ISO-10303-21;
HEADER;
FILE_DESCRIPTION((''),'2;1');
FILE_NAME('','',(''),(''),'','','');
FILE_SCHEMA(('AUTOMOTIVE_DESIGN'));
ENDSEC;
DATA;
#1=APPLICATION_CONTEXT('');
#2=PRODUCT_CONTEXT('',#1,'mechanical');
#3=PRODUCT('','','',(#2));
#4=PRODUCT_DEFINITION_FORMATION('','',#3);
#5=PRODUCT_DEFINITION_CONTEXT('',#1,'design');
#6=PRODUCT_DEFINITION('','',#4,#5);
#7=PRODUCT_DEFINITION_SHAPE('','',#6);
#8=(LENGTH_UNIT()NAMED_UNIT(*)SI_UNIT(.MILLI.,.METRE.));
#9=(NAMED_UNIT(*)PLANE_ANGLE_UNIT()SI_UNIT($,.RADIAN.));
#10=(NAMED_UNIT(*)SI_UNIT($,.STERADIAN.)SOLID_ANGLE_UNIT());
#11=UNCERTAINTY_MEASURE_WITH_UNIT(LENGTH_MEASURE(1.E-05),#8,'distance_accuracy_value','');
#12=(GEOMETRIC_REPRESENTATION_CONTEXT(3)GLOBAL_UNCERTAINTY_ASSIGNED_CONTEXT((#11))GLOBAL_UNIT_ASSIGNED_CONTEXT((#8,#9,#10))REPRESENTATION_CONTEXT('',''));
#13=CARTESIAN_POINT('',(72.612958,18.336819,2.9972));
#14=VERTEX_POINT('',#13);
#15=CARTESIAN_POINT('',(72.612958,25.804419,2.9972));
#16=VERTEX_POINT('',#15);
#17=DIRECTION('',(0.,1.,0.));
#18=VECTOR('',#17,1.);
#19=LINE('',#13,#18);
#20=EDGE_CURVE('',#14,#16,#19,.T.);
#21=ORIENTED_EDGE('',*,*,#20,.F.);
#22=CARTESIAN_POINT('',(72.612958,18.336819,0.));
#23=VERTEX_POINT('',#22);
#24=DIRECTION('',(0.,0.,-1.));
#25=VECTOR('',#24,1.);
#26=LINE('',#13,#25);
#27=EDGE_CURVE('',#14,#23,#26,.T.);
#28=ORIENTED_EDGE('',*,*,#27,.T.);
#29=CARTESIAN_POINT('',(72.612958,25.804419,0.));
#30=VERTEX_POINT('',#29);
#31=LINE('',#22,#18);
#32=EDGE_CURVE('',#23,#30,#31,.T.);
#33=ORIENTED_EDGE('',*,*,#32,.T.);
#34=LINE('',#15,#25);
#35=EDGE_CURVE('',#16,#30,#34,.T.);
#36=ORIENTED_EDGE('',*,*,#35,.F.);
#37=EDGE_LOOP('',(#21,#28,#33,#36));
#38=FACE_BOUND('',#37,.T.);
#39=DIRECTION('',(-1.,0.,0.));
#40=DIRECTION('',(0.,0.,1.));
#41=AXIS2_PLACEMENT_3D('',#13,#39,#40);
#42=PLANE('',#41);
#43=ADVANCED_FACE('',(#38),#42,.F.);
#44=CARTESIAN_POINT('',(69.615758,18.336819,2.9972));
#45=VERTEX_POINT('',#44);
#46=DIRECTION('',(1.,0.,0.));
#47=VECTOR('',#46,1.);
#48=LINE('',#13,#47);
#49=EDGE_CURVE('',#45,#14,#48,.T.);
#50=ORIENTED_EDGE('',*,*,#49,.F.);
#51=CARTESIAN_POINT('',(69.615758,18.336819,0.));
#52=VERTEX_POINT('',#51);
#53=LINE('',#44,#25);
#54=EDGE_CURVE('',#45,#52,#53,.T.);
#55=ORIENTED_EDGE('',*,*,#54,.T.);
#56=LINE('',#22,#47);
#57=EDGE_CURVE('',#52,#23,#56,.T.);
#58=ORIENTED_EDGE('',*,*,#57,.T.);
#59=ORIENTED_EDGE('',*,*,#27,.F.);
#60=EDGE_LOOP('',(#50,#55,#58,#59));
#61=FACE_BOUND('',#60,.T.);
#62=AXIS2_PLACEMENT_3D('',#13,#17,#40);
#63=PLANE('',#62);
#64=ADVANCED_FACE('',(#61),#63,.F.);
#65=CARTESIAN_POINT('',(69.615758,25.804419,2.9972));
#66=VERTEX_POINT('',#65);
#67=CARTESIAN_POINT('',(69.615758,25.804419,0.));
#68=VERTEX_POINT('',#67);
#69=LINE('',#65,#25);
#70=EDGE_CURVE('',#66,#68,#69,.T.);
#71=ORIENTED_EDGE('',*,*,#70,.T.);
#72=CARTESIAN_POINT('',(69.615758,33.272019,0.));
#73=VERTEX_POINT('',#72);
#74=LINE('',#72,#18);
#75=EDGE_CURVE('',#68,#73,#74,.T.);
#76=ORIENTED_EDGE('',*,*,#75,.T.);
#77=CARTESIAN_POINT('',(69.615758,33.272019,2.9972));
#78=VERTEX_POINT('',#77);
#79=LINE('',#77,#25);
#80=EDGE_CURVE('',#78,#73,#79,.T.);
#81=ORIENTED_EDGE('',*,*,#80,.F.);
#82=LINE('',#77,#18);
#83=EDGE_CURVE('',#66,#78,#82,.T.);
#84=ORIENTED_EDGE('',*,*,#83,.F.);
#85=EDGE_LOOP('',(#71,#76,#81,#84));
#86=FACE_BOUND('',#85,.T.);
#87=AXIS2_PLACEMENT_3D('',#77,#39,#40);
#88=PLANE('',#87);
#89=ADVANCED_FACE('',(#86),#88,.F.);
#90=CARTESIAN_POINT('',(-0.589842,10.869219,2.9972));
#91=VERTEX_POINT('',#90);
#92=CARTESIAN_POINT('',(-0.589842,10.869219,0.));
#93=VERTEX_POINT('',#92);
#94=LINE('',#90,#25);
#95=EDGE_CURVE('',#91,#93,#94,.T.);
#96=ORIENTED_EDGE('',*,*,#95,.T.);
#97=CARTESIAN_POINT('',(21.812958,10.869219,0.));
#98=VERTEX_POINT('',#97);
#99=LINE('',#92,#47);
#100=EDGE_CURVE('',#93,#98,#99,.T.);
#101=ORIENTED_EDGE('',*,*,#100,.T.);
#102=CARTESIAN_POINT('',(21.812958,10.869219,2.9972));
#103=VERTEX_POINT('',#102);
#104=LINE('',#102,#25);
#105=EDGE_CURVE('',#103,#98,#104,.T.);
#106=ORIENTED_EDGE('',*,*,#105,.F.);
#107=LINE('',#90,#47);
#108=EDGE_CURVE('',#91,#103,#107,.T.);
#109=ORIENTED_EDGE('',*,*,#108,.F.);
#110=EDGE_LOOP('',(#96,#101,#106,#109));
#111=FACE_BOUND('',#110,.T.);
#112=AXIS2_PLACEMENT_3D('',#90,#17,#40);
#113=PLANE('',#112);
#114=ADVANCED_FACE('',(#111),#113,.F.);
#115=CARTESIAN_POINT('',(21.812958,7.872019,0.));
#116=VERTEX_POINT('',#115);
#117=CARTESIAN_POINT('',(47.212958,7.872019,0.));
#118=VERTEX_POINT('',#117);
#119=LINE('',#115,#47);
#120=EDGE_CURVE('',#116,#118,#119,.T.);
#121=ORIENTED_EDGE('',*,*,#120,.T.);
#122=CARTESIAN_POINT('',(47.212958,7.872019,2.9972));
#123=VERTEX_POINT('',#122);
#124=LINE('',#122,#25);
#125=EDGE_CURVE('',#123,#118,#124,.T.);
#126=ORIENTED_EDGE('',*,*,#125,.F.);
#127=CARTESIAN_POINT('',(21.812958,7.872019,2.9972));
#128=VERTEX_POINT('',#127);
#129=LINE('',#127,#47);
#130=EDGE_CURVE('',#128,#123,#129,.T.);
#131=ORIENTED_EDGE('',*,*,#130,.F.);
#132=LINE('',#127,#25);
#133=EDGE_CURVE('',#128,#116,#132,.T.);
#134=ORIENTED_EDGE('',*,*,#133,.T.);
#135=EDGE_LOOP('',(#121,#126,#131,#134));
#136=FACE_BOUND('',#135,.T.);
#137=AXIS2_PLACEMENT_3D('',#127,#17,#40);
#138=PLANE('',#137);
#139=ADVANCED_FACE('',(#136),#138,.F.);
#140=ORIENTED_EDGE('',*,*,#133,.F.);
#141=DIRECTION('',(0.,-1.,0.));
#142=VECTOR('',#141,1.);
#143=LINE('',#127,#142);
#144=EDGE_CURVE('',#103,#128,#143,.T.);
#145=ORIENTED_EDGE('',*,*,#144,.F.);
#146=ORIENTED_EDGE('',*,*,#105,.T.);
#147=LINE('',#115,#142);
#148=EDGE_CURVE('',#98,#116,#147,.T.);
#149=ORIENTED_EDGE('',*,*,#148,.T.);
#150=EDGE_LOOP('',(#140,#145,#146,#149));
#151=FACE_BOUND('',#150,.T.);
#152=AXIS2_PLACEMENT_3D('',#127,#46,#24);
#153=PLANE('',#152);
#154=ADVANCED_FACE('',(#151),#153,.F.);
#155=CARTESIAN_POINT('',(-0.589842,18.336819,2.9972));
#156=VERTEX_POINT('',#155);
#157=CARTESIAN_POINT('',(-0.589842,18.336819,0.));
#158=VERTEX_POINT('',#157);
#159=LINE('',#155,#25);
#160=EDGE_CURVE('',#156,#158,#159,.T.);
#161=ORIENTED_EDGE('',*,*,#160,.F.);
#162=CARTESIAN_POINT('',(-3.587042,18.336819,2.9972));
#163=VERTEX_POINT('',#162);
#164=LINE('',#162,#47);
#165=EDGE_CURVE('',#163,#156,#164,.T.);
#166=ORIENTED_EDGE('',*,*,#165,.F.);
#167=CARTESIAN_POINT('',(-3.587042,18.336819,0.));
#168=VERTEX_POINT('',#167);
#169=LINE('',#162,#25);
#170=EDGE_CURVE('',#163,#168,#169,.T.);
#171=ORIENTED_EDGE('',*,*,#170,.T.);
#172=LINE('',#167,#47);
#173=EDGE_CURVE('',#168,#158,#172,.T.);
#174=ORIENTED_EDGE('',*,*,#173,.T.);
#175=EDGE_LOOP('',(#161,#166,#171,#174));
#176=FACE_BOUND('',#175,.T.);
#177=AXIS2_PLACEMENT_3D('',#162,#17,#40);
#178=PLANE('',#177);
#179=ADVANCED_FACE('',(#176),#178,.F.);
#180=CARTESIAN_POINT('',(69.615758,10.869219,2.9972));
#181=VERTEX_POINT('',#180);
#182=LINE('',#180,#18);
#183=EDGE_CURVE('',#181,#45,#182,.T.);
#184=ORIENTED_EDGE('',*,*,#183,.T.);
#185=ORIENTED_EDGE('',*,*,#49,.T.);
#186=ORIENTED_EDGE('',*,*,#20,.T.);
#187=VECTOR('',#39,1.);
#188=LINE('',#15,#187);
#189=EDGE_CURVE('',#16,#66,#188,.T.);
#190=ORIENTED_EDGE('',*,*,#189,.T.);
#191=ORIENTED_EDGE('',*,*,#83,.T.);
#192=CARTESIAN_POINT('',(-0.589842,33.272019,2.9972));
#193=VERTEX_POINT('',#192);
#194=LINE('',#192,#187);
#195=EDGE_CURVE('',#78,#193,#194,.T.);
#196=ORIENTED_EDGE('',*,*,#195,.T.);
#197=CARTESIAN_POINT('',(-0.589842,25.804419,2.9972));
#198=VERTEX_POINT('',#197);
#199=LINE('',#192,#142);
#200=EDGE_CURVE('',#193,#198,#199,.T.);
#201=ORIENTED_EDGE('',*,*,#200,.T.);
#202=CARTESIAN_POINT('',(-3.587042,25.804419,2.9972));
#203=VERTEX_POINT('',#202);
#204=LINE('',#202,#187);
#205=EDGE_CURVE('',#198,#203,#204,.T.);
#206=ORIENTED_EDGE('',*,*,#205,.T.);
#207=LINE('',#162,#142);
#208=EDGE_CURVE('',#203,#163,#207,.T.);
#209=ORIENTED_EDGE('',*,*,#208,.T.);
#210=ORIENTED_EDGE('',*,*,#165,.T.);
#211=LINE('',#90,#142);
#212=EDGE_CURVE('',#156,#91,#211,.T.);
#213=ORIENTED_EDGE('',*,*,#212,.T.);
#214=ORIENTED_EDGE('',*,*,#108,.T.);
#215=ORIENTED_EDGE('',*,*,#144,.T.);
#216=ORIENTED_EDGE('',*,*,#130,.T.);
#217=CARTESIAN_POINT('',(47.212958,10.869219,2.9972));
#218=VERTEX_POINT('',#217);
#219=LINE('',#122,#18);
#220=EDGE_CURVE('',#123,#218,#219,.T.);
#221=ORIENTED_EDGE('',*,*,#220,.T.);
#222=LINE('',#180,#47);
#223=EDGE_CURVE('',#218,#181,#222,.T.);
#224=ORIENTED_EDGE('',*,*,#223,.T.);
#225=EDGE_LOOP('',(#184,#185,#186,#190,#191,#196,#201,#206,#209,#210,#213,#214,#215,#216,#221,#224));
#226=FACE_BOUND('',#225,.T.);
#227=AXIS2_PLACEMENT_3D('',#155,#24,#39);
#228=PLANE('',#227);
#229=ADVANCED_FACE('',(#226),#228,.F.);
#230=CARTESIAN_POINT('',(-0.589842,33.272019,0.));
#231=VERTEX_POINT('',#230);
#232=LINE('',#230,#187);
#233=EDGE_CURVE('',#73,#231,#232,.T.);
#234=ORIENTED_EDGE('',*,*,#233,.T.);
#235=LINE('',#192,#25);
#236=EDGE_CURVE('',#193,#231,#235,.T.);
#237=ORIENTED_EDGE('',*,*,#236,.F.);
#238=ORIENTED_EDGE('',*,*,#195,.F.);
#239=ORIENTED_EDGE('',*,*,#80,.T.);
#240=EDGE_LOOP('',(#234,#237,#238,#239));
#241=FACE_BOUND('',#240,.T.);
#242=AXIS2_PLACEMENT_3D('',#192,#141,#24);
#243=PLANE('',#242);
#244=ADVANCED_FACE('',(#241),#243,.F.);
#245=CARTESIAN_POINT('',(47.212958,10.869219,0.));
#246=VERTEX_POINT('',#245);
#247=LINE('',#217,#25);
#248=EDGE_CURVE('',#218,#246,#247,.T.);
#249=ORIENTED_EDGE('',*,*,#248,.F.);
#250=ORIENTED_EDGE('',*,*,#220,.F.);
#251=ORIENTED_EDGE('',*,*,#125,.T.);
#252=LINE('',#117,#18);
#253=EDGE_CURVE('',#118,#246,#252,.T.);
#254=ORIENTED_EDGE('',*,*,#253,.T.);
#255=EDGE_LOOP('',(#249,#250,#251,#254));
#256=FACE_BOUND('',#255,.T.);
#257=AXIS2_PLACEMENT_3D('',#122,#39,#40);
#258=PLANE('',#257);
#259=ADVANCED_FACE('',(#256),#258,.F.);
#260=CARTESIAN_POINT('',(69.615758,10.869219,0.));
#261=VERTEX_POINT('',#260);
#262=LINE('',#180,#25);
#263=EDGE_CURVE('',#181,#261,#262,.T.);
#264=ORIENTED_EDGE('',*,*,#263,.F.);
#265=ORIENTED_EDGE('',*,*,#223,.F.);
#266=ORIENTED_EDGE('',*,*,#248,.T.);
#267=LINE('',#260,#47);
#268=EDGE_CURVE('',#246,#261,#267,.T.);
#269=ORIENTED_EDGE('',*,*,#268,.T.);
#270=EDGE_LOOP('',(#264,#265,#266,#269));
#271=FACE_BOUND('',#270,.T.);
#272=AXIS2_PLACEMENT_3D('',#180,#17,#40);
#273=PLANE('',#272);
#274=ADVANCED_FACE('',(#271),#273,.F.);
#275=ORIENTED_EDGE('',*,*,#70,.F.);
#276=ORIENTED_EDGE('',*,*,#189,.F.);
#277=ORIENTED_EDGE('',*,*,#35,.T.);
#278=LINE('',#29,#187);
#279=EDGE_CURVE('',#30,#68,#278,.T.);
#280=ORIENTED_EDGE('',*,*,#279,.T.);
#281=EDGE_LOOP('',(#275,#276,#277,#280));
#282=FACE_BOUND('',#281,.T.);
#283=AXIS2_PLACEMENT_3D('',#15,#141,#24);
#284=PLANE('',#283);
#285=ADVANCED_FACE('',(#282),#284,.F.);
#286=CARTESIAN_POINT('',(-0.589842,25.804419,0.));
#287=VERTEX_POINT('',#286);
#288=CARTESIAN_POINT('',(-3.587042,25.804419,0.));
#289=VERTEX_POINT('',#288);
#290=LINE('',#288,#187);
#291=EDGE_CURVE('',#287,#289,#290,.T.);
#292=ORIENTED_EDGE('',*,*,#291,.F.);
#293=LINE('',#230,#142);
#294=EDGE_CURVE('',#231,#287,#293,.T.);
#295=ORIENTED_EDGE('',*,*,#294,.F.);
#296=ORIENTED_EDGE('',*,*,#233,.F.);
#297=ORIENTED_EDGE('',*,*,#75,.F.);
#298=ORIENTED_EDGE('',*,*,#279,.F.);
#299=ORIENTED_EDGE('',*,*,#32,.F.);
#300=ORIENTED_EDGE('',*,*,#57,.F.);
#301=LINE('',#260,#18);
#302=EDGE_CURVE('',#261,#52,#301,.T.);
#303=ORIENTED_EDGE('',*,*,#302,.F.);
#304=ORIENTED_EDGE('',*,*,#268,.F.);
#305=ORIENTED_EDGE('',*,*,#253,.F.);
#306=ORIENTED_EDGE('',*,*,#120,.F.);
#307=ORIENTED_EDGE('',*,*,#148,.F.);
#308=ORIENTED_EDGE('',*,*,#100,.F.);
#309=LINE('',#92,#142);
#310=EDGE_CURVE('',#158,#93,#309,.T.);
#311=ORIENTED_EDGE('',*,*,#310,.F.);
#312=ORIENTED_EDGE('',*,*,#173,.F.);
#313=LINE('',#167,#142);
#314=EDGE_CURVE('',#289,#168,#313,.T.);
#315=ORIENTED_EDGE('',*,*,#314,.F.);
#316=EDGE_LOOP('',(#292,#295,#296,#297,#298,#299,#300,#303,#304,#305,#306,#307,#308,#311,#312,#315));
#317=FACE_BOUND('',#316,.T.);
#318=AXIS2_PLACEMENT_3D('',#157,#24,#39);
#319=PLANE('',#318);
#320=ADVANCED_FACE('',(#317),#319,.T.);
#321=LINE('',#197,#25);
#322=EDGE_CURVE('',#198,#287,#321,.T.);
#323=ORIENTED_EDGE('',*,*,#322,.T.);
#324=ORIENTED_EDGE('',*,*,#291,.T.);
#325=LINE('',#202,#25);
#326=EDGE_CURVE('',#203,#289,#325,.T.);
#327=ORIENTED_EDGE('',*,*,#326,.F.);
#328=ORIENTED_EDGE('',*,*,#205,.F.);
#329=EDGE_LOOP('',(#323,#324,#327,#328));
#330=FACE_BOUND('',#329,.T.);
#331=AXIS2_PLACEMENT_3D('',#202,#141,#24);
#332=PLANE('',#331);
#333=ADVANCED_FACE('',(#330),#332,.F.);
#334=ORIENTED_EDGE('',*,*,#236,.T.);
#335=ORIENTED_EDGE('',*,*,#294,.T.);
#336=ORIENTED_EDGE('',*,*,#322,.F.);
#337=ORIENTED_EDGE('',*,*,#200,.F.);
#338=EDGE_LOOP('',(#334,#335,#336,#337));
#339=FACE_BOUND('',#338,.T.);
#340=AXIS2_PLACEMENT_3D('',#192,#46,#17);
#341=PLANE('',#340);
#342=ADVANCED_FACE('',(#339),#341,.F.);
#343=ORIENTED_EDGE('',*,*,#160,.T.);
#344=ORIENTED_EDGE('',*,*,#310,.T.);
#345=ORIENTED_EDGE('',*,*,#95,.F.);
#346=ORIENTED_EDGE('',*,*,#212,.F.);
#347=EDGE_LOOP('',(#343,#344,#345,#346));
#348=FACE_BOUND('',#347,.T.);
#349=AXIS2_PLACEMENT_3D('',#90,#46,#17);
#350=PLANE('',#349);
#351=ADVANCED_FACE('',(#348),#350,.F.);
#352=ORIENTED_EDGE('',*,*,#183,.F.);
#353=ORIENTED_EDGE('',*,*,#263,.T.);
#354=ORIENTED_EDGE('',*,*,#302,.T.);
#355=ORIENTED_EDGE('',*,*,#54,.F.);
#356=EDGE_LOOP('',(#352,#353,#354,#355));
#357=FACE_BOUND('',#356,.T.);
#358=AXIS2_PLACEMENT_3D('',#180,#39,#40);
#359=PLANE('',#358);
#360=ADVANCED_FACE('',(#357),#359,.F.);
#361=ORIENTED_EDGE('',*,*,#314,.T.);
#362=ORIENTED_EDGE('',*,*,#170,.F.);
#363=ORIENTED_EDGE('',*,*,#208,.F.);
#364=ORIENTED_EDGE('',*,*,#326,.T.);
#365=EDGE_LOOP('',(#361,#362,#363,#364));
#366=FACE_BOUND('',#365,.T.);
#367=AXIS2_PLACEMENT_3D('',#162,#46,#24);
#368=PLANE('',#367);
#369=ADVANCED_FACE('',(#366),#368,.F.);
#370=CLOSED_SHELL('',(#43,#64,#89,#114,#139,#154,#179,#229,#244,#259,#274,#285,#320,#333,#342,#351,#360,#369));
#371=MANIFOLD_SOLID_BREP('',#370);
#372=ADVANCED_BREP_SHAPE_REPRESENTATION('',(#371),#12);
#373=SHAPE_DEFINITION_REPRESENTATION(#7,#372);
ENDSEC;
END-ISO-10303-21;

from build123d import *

# Parameters (mm, degrees)
BOSS_EXTRUDE1_DEPTH = 2.9972


with BuildPart() as part:
    # Sketch1 → Boss-Extrude1 (new body)
    with BuildSketch(Plane.XY):
        Polygon((21.812958309, 7.872019093), (47.212958309, 7.872019093), (47.212958309, 10.869219093), (69.615758309, 10.869219093), (69.615758309, 18.336819093), (72.612958309, 18.336819093), (72.612958309, 25.804419093), (69.615758309, 25.804419093), (69.615758309, 33.272019093), (-0.589841691, 33.272019093), (-0.589841691, 25.804419093), (-3.587041691, 25.804419093), (-3.587041691, 18.336819093), (-0.589841691, 18.336819093), (-0.589841691, 10.869219093), (21.812958309, 10.869219093), align=None)
    extrude(amount=BOSS_EXTRUDE1_DEPTH)


solid = part.part
